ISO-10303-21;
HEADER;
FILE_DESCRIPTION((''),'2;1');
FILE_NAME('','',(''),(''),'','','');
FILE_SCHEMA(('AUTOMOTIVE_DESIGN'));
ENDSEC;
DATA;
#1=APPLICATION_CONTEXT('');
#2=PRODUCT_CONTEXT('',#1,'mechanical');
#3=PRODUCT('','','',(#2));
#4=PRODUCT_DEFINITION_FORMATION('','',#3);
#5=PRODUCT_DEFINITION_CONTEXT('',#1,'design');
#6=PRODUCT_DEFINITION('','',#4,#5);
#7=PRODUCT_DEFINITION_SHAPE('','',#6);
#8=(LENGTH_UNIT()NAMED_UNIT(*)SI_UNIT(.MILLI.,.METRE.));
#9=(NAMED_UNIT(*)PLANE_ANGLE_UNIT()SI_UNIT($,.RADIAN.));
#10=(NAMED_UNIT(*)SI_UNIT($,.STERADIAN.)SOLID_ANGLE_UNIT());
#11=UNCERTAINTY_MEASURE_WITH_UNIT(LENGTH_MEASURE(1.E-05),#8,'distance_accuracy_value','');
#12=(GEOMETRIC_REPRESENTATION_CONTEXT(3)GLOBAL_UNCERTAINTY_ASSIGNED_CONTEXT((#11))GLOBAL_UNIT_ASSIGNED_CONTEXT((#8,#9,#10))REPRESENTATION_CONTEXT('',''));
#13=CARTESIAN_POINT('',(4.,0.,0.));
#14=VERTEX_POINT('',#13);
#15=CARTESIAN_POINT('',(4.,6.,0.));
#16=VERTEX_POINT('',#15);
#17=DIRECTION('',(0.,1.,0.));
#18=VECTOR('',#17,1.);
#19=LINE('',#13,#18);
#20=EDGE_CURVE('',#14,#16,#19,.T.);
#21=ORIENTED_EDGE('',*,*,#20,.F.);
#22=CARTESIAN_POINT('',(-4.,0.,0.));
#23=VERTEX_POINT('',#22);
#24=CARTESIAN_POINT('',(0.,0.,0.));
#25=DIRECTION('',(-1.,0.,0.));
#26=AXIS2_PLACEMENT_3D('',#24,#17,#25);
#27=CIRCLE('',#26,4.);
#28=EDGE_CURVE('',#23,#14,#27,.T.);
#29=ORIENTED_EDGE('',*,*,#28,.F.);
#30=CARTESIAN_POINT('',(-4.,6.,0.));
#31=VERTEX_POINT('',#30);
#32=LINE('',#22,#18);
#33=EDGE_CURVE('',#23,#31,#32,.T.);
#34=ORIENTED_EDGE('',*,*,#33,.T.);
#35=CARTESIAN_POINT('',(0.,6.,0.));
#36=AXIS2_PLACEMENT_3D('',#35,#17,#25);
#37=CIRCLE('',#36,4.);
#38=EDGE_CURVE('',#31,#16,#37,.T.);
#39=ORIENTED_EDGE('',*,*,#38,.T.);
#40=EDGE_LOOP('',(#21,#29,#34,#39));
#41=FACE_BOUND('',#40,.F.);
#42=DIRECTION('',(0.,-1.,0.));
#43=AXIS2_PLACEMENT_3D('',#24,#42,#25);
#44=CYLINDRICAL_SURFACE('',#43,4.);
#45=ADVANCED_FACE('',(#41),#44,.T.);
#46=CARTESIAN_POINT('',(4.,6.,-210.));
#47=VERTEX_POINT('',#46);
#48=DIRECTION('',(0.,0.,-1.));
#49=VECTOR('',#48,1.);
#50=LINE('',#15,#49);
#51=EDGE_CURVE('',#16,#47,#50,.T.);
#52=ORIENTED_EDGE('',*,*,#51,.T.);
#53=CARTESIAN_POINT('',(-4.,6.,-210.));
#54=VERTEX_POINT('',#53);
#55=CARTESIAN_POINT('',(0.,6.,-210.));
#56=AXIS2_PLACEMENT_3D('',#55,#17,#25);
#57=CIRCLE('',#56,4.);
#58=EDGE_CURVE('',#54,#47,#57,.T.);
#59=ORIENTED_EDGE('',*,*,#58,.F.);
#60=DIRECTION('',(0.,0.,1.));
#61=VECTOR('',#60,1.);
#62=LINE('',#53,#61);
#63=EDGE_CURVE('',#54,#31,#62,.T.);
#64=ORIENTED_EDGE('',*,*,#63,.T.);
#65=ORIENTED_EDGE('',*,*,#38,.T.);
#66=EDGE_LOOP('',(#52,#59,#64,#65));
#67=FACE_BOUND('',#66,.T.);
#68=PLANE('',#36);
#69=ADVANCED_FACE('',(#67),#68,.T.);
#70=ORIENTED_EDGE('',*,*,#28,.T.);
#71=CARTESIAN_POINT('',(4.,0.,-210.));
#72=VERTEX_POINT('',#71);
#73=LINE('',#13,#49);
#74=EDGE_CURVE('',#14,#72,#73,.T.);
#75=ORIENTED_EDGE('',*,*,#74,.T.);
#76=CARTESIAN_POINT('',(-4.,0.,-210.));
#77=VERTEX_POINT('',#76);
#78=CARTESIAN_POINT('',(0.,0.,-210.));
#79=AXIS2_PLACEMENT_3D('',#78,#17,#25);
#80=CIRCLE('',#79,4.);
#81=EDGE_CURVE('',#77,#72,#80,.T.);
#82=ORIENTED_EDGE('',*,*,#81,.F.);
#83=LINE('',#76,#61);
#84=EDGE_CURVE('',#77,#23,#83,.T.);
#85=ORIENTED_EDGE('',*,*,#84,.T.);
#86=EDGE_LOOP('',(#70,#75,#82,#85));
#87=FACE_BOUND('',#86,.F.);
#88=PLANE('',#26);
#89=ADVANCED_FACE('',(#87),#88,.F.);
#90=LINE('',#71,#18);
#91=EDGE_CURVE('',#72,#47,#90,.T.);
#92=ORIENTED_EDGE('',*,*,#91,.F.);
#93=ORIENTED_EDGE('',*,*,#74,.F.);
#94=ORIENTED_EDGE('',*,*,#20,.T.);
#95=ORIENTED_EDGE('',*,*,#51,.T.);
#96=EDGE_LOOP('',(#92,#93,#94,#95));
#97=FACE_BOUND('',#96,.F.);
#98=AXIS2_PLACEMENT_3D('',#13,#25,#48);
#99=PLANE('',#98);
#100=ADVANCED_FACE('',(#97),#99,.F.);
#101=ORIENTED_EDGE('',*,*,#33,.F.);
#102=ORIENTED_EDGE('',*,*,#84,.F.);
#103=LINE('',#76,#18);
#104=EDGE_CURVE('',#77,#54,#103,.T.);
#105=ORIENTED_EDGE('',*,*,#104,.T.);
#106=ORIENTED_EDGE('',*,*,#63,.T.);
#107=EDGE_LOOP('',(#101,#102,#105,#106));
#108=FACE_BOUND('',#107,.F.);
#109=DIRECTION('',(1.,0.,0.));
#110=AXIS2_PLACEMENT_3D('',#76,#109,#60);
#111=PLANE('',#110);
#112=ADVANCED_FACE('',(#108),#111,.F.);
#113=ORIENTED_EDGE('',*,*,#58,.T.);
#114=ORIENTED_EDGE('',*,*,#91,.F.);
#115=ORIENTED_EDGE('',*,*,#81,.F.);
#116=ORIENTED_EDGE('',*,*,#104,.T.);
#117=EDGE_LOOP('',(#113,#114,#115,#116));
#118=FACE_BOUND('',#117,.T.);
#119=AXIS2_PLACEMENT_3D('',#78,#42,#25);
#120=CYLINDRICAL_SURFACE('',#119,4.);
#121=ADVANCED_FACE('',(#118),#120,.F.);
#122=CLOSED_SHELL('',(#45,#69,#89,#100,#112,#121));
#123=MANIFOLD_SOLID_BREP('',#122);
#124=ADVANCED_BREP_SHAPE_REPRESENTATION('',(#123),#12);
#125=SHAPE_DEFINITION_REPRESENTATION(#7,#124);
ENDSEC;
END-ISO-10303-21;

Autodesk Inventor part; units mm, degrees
ref_plane "YZ Plane" through (0, 0, 0) normal (1, 0, 0) x (0, 1, 0)
ref_plane "XZ Plane" through (0, 0, 0) normal (0, 1, 0) x (-1, 0, 0)
ref_plane "XY Plane" through (0, 0, 0) normal (0, 0, 1) x (1, 0, 0)
sketch "Sketch1" plane through (0, 0, 0) normal (0, 1, 0) x (-1, 0, 0)
  line L0 (0, 0) -> (0, -210) construction
  line L1 (-4, 0) -> (-4, -210)
  line L2 (4, -210) -> (4, 0)
  arc A0 (4, 0) -> (-4, 0) centre (0, 0) ccw
  arc A1 (-4, -210) -> (4, -210) centre (0, -210) ccw
  circle A2 centre (0, -210) radius 4
  point P0 (0, -105)
  point P1 (4, -210)
  dimension "d0" = 210
  dimension "d1" = 8
extrude "Extrusion1" add sketch "Sketch1" along normal blind 6 contours A0 L2 A2 L1
properties part number "Extension_2"
